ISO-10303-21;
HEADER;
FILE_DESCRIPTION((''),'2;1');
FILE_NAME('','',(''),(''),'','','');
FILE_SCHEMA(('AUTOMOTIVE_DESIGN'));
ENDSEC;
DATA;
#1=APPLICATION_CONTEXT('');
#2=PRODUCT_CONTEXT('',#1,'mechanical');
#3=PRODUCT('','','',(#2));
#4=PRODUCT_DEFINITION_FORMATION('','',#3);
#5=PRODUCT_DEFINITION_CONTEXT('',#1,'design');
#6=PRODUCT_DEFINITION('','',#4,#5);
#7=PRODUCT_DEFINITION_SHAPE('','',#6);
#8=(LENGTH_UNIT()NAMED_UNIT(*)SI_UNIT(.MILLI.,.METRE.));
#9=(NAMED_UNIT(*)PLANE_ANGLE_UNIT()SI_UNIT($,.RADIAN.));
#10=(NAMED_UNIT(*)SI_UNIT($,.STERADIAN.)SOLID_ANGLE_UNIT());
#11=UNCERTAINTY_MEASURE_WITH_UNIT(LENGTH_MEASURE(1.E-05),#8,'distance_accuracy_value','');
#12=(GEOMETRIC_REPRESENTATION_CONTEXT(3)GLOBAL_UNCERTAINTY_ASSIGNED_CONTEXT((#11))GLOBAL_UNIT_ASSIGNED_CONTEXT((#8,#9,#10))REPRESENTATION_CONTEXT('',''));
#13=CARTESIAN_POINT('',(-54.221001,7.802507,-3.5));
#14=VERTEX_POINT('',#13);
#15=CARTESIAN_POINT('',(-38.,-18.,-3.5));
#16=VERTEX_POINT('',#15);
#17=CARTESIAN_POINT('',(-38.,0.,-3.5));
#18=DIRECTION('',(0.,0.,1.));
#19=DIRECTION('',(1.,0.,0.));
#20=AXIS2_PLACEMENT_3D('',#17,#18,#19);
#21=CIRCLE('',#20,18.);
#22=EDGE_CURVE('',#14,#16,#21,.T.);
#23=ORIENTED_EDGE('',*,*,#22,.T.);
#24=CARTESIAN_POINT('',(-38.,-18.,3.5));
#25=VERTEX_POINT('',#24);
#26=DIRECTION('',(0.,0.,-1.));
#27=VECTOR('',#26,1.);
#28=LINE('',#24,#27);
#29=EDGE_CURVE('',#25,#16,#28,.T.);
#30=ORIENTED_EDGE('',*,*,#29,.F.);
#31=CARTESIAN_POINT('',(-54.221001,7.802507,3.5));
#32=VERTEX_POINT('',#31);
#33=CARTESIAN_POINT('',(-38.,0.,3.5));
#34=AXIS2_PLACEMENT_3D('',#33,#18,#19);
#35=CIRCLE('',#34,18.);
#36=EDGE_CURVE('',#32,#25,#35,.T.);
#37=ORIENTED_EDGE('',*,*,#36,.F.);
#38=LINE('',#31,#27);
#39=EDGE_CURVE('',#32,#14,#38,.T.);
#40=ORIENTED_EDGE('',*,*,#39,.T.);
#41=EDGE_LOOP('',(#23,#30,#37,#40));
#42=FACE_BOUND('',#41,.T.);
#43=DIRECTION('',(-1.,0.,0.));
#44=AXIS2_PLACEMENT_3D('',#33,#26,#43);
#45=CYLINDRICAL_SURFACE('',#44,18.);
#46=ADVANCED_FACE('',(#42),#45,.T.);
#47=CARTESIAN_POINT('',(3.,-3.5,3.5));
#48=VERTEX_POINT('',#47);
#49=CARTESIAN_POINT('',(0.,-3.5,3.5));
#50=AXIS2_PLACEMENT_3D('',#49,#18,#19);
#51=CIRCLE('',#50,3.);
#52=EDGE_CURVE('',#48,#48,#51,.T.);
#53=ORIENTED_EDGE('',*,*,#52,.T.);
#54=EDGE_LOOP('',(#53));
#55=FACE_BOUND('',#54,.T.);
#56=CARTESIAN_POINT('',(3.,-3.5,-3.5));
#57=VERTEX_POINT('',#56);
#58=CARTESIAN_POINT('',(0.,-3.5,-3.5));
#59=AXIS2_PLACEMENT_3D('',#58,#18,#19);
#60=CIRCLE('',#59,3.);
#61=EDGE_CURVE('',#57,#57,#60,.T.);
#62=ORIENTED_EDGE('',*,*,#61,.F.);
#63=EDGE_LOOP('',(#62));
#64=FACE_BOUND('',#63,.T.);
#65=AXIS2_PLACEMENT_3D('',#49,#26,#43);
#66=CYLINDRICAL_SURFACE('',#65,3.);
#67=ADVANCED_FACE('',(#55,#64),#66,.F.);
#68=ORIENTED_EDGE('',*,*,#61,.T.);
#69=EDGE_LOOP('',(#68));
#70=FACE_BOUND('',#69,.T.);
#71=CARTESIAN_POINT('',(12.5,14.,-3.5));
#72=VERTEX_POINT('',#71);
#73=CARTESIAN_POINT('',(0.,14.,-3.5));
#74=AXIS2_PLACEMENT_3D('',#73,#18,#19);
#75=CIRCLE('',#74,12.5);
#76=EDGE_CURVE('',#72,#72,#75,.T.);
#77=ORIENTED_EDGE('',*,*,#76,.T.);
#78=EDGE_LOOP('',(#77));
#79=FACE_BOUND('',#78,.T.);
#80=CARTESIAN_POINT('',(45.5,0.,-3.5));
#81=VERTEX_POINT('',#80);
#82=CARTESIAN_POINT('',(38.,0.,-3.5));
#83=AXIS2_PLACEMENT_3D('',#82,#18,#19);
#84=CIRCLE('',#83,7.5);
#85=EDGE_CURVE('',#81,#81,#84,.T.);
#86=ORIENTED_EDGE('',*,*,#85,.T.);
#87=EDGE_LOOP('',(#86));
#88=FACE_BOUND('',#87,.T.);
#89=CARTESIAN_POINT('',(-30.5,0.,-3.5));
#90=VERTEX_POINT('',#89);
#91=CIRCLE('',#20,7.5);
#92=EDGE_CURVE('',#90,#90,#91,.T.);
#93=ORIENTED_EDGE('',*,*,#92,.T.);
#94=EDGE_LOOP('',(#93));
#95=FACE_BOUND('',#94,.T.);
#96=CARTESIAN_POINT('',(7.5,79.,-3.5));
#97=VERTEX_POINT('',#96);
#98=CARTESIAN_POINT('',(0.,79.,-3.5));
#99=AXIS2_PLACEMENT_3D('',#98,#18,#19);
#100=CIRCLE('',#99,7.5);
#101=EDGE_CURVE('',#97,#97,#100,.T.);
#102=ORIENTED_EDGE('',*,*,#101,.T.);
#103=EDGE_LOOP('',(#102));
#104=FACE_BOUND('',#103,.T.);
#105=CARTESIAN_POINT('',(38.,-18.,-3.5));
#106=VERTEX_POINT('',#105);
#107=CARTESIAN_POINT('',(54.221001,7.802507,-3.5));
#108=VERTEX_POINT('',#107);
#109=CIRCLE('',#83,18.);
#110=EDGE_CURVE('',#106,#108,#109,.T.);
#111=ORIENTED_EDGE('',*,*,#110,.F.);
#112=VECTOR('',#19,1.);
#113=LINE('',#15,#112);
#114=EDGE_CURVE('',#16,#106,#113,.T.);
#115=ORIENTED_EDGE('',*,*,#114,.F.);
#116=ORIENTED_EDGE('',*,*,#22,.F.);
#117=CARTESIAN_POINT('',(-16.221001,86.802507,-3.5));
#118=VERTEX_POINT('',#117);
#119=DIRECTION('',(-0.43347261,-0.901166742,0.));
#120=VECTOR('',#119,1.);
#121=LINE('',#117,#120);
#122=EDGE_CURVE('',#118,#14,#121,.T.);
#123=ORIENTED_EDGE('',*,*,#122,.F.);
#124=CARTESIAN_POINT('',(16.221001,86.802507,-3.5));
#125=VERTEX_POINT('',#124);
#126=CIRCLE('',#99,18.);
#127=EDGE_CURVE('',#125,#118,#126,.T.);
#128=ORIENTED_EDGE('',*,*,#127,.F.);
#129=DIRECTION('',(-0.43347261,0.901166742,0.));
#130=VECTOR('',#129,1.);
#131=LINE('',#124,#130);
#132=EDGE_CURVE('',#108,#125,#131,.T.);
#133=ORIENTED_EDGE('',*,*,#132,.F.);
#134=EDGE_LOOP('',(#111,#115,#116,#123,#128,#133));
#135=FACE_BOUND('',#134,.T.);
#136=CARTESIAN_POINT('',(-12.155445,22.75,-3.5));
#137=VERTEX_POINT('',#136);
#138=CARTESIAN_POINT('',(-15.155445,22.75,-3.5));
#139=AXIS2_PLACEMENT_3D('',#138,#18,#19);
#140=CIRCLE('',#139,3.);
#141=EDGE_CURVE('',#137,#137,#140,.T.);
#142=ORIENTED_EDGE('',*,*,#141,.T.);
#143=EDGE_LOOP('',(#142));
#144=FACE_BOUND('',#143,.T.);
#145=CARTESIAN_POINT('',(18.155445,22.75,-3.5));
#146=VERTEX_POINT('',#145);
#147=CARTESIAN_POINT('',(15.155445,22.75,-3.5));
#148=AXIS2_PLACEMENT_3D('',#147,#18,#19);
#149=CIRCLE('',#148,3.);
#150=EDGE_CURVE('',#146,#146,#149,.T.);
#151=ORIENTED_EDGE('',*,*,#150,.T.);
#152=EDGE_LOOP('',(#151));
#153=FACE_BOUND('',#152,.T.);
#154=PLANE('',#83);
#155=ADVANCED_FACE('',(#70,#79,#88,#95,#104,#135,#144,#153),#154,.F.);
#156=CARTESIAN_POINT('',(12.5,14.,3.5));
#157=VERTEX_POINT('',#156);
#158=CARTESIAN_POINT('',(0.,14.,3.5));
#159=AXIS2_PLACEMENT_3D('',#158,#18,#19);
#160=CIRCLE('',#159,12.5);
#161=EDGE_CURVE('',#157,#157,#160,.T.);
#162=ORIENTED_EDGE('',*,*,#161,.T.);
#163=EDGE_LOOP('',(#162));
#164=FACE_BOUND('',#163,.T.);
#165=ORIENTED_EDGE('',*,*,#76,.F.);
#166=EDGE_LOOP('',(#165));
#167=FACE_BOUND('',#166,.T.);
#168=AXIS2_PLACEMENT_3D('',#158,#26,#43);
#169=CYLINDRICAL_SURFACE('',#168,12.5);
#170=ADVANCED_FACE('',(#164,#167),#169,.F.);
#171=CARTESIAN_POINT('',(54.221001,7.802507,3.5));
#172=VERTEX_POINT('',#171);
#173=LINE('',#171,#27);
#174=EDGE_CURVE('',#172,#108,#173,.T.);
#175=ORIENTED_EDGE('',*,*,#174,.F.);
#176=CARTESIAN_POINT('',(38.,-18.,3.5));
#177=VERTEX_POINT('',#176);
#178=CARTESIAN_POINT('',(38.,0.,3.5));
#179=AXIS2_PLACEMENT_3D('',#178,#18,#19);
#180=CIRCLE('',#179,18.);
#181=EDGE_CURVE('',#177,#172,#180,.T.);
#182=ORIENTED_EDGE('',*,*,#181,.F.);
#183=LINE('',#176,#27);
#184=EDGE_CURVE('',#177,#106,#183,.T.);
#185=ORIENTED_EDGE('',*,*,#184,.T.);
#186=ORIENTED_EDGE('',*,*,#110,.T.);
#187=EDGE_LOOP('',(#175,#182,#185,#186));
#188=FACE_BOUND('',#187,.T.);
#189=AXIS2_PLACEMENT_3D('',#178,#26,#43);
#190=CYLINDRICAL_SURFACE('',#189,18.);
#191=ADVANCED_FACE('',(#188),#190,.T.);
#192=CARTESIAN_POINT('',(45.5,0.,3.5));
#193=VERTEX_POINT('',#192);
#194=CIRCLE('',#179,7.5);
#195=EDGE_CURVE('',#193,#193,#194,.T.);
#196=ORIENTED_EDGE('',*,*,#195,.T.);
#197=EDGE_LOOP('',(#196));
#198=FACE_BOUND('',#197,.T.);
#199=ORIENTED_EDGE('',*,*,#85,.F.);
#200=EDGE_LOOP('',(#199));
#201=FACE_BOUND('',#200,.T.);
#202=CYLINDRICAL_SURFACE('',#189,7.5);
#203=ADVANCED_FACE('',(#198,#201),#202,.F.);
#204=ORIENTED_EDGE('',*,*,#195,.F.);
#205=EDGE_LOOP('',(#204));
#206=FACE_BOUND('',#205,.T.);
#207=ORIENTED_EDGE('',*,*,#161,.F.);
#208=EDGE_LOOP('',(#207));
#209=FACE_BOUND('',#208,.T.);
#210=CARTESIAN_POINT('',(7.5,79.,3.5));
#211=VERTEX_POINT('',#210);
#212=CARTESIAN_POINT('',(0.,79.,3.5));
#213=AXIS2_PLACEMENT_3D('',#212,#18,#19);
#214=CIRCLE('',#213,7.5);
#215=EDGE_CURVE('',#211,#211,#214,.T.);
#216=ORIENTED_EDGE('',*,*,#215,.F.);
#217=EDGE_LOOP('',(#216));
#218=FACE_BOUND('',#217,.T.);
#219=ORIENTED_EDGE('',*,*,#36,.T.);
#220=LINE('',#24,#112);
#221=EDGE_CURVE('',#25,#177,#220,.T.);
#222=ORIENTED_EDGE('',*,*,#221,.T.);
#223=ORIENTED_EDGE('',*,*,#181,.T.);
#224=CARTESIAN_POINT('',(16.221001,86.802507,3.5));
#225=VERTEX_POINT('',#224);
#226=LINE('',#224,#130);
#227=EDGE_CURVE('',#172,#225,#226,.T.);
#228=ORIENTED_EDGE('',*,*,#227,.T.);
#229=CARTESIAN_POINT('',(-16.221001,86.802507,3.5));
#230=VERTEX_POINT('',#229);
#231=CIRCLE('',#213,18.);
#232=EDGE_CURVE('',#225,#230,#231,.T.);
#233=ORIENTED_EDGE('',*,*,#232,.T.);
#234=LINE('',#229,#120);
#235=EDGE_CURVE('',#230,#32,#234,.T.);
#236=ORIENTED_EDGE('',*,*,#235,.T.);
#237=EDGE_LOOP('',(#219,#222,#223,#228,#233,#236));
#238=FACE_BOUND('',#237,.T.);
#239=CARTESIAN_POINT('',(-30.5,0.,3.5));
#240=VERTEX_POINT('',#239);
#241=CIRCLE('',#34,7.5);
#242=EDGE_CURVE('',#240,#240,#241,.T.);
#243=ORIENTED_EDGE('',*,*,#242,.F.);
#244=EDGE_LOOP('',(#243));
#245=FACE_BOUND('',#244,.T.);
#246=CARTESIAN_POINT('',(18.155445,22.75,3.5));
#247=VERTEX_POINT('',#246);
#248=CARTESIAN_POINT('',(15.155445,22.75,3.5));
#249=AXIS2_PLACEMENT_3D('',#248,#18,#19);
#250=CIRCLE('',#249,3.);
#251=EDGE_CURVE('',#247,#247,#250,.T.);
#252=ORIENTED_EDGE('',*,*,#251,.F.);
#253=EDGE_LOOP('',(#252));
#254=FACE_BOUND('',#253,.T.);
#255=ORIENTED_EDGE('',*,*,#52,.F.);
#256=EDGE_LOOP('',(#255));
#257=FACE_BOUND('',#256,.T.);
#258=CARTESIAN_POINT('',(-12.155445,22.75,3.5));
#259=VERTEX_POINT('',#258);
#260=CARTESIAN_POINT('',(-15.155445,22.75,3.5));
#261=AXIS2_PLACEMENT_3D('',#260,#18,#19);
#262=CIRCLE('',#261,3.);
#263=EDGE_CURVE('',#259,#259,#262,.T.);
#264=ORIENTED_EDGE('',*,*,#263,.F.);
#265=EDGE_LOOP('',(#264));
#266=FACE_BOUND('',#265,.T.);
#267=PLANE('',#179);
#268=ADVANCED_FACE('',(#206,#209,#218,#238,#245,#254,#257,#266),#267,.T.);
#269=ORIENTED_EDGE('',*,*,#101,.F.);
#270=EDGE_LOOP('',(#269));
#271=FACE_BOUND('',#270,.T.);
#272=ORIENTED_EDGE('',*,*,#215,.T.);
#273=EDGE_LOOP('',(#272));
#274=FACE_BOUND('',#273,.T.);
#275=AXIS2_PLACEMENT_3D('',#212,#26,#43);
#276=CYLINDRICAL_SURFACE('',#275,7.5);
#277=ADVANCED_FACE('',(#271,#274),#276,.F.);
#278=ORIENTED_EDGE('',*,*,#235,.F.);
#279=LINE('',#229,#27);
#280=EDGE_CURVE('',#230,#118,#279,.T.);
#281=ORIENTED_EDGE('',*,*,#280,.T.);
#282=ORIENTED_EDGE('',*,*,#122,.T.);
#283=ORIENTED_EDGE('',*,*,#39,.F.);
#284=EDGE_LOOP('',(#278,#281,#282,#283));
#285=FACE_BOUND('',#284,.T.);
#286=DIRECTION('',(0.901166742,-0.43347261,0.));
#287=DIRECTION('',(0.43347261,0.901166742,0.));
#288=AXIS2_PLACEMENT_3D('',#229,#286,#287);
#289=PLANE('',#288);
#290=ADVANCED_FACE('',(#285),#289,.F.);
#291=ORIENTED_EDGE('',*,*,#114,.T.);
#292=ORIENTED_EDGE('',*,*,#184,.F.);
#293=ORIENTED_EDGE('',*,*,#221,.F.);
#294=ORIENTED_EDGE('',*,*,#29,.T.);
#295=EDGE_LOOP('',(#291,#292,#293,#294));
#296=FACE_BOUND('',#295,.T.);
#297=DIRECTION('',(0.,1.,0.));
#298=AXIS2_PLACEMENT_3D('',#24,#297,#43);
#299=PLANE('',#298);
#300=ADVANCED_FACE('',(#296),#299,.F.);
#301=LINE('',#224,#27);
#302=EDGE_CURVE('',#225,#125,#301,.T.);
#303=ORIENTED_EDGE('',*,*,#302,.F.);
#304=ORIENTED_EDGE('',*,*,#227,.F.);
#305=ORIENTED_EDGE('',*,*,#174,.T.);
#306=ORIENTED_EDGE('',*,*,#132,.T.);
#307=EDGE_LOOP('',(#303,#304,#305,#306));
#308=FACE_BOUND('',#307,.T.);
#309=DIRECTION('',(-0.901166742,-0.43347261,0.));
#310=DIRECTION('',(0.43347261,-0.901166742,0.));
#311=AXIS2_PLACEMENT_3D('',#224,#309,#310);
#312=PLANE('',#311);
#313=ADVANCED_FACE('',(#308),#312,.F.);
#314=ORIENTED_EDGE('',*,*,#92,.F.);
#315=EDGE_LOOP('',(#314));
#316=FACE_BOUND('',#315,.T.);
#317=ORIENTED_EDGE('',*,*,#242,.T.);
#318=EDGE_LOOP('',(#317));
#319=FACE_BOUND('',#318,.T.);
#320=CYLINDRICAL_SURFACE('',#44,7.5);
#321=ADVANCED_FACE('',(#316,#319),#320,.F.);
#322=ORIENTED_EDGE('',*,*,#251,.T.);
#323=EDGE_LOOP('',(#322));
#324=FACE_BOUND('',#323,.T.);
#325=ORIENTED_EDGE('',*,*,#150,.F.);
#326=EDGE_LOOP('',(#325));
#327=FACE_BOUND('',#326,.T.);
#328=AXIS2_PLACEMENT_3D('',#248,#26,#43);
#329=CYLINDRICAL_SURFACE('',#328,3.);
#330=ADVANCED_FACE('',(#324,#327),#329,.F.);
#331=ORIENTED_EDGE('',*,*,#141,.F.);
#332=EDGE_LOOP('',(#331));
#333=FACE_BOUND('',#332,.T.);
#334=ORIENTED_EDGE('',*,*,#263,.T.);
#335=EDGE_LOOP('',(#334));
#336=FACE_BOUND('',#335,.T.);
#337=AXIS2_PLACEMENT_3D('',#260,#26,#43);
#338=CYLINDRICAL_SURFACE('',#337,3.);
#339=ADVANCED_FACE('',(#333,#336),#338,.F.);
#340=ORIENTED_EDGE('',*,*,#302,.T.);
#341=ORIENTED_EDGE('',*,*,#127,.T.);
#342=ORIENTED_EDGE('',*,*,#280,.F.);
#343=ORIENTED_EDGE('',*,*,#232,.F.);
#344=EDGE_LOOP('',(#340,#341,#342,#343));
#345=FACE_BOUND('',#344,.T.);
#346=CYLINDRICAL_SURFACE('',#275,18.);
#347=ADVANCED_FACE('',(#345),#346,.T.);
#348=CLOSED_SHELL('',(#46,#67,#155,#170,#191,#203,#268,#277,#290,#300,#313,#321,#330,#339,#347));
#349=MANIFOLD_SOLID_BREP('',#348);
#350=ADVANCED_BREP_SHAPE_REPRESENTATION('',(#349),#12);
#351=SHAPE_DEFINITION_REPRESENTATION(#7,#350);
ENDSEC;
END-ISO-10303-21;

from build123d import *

# Parameters (mm, degrees)
SKETCH1_R           = 7.5
SKETCH1_R_2         = 12.5
SKETCH1_R_3         = 3
BOSS_EXTRUDE1_DEPTH = 3.5


with BuildPart() as part:
    # Sketch1 → Boss-Extrude1 (new body, symmetric)
    with BuildSketch(Plane.XY):
        with BuildLine():
            Line((-38, -18), (38, -18))
            ThreePointArc((38, -18), (53.238850443, -9.580054133), (54.221001351, 7.802506979))
            Line((54.221001351, 7.802506979), (16.221001351, 86.802506979))
            ThreePointArc((16.221001351, 86.802506979), (0, 97), (-16.221001351, 86.802506979))
            Line((-16.221001351, 86.802506979), (-54.221001351, 7.802506979))
            ThreePointArc((-54.221001351, 7.802506979), (-53.238850443, -9.580054133), (-38, -18))
        make_face()
        with Locations((-38, 0)):
            Circle(SKETCH1_R, mode=Mode.SUBTRACT)
        with Locations((38, 0)):
            Circle(SKETCH1_R, mode=Mode.SUBTRACT)
        with Locations((0, 14)):
            Circle(SKETCH1_R_2, mode=Mode.SUBTRACT)
        with Locations((-15.155444566, 22.75)):
            Circle(SKETCH1_R_3, mode=Mode.SUBTRACT)
        with Locations((0, -3.5)):
            Circle(SKETCH1_R_3, mode=Mode.SUBTRACT)
        with Locations((15.155444566, 22.75)):
            Circle(SKETCH1_R_3, mode=Mode.SUBTRACT)
        with Locations((0, 79)):
            Circle(SKETCH1_R, mode=Mode.SUBTRACT)
    extrude(amount=BOSS_EXTRUDE1_DEPTH, both=True)


solid = part.part
